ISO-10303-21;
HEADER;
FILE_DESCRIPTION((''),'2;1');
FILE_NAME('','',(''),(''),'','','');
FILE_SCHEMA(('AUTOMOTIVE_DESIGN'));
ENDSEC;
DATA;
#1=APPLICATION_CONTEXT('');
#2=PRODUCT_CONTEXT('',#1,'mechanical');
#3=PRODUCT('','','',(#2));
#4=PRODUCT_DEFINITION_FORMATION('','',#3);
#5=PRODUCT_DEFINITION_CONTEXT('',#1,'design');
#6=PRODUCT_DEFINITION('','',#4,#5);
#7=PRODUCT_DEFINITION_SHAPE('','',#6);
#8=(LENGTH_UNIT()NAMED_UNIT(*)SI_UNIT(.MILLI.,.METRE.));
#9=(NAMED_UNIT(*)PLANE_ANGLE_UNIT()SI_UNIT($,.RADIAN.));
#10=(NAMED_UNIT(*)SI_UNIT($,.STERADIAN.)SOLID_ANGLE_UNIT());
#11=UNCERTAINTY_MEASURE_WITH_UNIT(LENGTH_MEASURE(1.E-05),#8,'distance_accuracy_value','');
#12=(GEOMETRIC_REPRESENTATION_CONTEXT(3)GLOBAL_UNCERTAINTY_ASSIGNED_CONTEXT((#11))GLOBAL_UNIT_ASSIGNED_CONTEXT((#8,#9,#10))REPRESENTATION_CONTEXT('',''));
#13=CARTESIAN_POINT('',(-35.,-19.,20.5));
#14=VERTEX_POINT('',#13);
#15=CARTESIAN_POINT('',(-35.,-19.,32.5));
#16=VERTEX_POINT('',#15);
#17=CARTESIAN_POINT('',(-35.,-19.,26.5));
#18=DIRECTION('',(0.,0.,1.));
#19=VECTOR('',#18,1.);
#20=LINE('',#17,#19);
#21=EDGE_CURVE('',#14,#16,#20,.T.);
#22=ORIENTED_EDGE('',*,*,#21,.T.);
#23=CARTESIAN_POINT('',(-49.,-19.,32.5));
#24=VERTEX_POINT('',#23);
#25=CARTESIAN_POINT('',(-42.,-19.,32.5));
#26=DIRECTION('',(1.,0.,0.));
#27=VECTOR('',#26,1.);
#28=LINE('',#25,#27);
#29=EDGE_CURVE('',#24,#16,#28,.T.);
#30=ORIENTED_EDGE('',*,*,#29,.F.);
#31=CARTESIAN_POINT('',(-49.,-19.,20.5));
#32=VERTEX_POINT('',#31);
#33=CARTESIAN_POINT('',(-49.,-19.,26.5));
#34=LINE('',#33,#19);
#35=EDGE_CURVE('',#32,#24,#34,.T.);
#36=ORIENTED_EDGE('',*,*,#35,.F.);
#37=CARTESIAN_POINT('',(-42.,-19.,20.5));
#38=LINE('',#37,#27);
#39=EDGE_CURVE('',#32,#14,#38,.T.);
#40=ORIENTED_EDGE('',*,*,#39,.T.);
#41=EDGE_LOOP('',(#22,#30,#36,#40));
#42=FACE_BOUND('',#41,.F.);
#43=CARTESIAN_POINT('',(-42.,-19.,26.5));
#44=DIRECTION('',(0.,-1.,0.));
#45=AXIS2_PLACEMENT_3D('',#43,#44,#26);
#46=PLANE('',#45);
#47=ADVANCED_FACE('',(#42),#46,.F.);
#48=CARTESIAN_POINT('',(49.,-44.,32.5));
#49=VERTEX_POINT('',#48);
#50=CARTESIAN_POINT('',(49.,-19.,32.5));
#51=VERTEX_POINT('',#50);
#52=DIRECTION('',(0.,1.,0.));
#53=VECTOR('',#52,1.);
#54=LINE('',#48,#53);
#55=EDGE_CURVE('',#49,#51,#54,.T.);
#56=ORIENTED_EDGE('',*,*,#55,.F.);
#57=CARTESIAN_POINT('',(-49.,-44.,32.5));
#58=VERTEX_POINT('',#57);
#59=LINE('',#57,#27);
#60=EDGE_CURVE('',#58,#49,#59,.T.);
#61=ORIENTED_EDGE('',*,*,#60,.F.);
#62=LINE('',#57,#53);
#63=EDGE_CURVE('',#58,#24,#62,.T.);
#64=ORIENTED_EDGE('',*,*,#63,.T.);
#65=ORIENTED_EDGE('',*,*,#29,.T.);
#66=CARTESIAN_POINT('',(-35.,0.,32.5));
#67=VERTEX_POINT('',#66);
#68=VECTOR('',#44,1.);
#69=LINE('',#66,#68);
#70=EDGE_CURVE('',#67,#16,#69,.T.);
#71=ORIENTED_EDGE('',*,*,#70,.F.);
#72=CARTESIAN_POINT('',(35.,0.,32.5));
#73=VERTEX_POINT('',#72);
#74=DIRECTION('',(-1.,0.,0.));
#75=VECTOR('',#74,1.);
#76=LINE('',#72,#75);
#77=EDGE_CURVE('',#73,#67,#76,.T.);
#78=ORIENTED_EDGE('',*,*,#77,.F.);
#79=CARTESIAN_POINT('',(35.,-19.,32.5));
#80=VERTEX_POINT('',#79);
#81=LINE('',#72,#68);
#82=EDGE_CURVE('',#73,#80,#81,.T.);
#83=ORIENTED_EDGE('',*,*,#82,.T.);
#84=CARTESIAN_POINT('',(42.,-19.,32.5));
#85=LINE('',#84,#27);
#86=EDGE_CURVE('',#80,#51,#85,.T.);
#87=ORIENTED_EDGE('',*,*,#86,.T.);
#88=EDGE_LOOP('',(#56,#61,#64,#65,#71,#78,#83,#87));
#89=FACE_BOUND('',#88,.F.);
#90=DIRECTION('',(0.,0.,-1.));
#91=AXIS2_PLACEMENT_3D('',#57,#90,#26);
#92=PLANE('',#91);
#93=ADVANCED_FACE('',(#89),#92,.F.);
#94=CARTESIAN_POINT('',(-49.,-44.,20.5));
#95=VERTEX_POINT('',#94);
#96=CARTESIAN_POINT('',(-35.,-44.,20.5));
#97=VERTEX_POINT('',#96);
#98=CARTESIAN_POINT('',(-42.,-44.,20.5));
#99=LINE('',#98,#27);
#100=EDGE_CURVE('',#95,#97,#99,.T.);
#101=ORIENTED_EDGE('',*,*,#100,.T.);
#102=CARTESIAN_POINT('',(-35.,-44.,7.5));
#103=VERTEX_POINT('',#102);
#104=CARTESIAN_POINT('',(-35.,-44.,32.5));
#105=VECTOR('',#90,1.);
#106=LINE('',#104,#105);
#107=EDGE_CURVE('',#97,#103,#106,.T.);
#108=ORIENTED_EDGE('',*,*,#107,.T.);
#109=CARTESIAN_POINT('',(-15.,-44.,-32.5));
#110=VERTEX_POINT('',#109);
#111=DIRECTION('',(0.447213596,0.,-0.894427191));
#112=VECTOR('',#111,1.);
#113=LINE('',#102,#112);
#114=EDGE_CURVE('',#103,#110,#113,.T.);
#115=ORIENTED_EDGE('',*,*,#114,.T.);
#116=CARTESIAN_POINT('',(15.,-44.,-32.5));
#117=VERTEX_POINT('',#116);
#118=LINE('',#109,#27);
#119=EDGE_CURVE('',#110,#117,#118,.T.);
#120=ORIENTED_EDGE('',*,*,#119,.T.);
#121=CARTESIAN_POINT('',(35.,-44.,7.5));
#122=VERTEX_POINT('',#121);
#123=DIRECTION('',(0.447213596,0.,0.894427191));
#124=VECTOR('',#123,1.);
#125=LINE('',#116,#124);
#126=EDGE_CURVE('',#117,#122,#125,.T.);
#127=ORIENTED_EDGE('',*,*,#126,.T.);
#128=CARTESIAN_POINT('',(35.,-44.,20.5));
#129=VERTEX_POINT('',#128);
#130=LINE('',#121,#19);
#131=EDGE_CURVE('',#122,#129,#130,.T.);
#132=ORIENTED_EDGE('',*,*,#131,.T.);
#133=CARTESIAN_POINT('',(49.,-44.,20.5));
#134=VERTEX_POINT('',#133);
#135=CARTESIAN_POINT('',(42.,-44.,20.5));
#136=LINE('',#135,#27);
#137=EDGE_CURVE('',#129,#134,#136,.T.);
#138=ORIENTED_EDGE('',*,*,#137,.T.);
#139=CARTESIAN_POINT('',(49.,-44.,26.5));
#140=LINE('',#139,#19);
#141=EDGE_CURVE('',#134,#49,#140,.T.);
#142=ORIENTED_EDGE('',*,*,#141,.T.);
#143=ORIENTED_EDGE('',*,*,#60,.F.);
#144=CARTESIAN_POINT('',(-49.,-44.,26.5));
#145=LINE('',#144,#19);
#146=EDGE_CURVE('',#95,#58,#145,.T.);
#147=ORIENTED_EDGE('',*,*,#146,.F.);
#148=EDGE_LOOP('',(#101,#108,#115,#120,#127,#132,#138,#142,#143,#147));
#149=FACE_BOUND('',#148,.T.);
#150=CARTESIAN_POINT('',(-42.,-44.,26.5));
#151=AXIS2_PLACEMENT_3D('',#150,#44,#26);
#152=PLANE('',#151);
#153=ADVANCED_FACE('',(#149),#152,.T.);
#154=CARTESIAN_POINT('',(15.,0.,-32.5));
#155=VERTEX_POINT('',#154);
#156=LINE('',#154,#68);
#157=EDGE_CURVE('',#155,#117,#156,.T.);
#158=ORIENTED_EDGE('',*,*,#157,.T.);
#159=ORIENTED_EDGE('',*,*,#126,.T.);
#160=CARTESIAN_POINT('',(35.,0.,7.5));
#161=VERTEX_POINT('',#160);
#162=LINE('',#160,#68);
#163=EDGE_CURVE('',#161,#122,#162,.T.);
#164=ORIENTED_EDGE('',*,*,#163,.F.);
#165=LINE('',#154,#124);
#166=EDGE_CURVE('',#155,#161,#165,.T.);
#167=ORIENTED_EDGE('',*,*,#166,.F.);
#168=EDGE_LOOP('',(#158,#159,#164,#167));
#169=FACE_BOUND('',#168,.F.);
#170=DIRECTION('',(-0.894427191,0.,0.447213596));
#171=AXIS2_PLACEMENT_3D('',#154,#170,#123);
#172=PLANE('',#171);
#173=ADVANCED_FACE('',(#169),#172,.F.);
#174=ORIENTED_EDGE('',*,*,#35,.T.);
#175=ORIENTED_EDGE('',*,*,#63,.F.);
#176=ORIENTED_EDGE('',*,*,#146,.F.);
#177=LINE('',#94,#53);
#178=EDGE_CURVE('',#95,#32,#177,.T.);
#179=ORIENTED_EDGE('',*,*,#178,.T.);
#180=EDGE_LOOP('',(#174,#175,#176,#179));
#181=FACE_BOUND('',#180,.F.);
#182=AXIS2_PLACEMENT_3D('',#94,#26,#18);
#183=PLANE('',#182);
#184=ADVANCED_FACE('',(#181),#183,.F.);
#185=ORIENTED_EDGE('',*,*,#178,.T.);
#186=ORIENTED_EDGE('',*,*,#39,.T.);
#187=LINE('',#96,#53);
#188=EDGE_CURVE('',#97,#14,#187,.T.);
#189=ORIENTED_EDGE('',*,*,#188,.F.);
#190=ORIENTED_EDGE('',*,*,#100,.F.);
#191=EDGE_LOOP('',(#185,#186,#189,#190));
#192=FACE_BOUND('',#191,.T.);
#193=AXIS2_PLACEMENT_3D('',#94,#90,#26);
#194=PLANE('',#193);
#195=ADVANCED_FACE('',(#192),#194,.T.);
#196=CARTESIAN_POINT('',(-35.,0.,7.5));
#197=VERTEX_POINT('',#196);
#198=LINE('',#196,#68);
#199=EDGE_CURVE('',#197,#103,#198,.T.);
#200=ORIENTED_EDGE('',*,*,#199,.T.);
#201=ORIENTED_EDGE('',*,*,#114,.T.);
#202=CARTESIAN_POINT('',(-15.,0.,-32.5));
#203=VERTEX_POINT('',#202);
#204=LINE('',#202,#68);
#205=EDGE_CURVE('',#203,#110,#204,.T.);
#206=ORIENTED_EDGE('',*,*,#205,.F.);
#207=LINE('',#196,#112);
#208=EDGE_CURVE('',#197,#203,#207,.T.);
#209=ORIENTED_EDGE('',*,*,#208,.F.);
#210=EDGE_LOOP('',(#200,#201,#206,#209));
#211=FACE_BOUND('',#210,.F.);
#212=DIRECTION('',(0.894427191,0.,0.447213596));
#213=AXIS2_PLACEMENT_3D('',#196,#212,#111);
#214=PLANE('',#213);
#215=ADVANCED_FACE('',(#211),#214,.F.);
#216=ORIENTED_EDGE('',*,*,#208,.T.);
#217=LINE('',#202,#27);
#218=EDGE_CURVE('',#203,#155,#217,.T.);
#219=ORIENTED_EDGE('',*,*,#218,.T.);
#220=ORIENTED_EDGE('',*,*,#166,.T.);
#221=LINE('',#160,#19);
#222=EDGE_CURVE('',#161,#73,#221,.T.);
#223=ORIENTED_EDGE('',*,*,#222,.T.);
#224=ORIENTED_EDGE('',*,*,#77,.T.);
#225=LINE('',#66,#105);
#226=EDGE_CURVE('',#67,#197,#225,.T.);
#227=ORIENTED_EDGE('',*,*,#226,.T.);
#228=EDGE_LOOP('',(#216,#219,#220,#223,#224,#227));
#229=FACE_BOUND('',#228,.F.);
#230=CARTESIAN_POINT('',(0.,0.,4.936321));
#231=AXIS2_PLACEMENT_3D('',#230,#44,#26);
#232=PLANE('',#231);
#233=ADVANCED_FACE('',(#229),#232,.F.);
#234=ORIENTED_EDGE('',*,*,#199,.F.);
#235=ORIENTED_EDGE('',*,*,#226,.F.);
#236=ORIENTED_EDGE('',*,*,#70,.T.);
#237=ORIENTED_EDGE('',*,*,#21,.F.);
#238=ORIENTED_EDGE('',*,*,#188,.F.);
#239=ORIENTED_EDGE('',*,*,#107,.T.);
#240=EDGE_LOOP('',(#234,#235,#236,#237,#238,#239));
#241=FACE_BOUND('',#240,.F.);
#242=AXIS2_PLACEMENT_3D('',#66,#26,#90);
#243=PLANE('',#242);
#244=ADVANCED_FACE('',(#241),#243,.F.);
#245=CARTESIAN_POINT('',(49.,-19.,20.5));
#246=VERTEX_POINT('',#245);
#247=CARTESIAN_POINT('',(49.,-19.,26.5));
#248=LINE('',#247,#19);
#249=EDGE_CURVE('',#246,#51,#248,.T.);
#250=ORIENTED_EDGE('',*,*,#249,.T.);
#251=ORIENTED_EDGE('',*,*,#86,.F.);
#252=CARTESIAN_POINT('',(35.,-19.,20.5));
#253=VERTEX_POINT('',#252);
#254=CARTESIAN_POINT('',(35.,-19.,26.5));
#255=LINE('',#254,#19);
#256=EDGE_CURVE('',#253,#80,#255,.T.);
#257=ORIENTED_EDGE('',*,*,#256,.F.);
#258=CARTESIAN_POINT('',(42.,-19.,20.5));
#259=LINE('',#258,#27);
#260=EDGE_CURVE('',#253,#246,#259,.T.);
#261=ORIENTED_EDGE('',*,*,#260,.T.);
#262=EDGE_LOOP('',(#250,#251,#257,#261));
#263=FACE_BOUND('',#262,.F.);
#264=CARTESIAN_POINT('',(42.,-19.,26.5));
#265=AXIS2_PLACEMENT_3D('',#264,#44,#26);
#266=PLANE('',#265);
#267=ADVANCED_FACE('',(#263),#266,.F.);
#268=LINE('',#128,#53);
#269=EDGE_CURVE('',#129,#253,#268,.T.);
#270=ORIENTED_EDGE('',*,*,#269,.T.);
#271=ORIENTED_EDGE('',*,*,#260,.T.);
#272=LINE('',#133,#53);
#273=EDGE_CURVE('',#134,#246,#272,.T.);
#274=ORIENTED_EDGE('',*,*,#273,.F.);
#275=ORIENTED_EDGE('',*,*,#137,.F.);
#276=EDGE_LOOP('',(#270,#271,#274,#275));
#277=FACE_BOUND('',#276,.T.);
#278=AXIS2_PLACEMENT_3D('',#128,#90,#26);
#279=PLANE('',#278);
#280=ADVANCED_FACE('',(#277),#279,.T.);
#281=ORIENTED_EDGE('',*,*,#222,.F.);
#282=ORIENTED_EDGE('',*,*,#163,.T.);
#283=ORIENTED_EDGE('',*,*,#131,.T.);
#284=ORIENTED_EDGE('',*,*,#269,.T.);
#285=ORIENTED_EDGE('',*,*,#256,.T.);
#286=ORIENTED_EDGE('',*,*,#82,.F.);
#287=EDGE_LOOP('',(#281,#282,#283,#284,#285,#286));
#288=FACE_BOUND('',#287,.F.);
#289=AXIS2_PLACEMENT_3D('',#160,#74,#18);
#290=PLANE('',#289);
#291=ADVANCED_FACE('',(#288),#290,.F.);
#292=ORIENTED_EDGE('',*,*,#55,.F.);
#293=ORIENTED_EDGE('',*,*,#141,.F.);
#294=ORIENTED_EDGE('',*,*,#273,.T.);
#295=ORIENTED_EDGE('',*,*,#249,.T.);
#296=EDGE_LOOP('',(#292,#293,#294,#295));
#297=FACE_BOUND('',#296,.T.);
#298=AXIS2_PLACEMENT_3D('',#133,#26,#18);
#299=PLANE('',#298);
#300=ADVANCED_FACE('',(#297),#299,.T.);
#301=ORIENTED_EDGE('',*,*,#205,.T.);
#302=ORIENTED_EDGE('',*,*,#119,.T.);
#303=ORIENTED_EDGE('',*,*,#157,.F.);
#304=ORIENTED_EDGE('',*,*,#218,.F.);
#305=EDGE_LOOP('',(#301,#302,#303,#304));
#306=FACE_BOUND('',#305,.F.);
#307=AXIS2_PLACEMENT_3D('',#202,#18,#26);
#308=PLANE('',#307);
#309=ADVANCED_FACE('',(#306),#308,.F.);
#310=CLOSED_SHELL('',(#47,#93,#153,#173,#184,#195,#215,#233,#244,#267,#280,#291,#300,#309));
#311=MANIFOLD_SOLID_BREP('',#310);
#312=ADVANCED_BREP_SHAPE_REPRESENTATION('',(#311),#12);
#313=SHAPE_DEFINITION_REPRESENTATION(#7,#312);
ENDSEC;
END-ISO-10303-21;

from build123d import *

# Parameters (mm, degrees)
F1_DEPTH = 44
F2_W     = 14
F2_H     = 12
F3_DEPTH = 25


with BuildPart() as f1:
    # F0 (on Front) → F1 (new body)
    with BuildSketch(Plane.XZ):
        Polygon((35, 20.5), (35, 32.5), (-35, 32.5), (-35, 20.5), (-35, 20), (-35, 7.5), (-15, -32.5), (15, -32.5), (35, 7.5), align=None)
    extrude(amount=F1_DEPTH)

    # F2 (on face) → F3 (join)
    with BuildSketch(Plane.XZ.offset(44)):
        with Locations((-42, 26.5)):
            Rectangle(F2_W, F2_H)
        with Locations((42, 26.5)):
            Rectangle(F2_W, F2_H)
    extrude(amount=-F3_DEPTH)


solid = f1.part
